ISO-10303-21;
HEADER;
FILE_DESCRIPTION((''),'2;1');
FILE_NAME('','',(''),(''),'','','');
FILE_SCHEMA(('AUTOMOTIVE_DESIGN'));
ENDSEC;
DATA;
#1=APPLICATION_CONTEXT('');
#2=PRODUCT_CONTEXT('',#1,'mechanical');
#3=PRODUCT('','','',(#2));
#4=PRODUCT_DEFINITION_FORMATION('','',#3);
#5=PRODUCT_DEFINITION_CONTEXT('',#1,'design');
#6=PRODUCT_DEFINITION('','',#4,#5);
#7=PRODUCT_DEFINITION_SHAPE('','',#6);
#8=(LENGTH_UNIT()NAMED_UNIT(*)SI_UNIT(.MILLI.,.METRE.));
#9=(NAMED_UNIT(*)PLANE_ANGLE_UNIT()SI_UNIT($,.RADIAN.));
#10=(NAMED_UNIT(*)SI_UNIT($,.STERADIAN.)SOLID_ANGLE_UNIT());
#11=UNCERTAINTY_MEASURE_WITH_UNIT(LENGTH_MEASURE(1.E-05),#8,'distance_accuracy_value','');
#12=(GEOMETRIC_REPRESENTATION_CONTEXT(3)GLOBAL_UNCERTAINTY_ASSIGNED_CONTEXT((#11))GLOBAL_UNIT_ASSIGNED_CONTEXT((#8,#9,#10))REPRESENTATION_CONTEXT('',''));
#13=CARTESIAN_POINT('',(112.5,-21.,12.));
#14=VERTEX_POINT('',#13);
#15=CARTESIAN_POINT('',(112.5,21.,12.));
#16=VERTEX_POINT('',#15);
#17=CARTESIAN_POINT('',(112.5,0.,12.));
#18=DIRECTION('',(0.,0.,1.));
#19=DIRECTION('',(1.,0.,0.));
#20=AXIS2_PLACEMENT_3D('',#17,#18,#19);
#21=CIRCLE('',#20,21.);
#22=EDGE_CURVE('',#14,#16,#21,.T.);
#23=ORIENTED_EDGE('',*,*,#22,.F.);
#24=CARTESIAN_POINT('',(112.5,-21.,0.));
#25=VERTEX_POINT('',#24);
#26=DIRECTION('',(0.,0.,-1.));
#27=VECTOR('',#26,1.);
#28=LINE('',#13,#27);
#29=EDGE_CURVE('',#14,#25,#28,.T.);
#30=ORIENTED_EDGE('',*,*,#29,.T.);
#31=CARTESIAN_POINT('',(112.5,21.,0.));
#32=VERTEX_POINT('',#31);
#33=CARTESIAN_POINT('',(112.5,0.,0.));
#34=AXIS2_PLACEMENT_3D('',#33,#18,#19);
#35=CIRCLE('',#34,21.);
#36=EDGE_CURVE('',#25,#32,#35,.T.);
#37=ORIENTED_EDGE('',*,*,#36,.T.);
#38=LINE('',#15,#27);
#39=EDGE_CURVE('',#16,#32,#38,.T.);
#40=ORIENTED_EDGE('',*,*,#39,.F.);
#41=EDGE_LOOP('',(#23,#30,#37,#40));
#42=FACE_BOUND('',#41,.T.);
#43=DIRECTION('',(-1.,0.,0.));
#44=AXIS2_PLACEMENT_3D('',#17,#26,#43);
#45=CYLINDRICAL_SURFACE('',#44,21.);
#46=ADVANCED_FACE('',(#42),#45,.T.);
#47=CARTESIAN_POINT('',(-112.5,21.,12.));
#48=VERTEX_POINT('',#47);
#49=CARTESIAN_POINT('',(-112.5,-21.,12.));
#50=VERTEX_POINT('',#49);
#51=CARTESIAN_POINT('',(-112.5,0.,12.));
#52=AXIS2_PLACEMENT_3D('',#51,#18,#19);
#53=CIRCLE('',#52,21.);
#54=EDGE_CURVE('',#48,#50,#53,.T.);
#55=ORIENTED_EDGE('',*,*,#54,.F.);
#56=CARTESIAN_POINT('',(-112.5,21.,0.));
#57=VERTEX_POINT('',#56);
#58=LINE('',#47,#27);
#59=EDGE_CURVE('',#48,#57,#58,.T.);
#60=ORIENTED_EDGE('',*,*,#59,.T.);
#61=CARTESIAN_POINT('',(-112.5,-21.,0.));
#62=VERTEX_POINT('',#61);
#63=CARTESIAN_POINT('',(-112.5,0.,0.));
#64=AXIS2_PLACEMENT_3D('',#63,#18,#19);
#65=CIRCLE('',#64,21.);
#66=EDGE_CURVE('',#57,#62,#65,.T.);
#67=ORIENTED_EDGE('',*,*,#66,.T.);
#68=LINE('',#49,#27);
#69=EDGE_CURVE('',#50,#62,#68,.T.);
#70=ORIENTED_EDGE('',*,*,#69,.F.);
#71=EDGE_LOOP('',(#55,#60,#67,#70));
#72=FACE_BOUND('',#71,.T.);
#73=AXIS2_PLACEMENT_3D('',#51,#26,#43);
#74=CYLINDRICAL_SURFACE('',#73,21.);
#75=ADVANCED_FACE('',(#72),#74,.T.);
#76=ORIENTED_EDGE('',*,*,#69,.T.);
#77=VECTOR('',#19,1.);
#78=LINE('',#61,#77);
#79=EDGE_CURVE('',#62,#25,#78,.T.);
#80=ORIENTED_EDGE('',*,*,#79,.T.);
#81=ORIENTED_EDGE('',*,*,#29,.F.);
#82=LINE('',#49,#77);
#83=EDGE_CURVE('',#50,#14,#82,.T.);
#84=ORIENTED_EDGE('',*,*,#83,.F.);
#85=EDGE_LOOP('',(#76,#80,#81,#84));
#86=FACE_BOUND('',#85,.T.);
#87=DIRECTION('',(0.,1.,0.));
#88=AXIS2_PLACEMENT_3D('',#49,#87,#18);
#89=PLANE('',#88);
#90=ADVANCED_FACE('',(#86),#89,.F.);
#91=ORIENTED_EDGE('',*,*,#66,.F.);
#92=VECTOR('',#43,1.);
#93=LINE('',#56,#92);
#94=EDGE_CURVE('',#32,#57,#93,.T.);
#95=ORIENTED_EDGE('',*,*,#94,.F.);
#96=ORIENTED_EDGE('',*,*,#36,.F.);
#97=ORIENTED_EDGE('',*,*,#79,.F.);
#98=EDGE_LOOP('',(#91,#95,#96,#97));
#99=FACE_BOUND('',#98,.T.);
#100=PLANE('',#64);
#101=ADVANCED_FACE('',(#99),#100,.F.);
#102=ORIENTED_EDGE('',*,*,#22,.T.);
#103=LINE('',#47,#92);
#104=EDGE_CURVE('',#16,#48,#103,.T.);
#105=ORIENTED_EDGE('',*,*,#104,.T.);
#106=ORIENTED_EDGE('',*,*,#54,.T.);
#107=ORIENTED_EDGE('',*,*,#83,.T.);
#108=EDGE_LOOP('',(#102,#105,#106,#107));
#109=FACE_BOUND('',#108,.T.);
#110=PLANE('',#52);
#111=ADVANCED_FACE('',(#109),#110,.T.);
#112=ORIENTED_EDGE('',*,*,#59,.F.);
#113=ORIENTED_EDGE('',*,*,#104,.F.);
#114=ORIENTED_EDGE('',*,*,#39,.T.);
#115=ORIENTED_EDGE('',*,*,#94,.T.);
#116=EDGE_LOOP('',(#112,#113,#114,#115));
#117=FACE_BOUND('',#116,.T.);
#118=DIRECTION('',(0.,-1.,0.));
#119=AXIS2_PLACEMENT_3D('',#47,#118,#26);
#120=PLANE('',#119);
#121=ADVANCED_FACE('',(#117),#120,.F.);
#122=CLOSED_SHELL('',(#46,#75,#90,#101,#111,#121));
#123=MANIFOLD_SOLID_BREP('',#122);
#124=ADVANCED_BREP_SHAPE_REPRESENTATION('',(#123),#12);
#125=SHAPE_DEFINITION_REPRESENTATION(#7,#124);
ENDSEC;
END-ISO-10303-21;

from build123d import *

# Parameters (mm, degrees)
EXTRUDE_1_DEPTH = 12


with BuildPart() as part:
    # 草图1 → 凸台-拉伸1 (new body)
    with BuildSketch(Plane.XY):
        with BuildLine():
            Line((-112.5, 21), (112.5, 21))
            ThreePointArc((112.5, 21), (133.5, 0), (112.5, -21))
            Line((112.5, -21), (-112.5, -21))
            ThreePointArc((-112.5, -21), (-133.5, 0), (-112.5, 21))
        make_face()
    extrude(amount=EXTRUDE_1_DEPTH)


solid = part.part
